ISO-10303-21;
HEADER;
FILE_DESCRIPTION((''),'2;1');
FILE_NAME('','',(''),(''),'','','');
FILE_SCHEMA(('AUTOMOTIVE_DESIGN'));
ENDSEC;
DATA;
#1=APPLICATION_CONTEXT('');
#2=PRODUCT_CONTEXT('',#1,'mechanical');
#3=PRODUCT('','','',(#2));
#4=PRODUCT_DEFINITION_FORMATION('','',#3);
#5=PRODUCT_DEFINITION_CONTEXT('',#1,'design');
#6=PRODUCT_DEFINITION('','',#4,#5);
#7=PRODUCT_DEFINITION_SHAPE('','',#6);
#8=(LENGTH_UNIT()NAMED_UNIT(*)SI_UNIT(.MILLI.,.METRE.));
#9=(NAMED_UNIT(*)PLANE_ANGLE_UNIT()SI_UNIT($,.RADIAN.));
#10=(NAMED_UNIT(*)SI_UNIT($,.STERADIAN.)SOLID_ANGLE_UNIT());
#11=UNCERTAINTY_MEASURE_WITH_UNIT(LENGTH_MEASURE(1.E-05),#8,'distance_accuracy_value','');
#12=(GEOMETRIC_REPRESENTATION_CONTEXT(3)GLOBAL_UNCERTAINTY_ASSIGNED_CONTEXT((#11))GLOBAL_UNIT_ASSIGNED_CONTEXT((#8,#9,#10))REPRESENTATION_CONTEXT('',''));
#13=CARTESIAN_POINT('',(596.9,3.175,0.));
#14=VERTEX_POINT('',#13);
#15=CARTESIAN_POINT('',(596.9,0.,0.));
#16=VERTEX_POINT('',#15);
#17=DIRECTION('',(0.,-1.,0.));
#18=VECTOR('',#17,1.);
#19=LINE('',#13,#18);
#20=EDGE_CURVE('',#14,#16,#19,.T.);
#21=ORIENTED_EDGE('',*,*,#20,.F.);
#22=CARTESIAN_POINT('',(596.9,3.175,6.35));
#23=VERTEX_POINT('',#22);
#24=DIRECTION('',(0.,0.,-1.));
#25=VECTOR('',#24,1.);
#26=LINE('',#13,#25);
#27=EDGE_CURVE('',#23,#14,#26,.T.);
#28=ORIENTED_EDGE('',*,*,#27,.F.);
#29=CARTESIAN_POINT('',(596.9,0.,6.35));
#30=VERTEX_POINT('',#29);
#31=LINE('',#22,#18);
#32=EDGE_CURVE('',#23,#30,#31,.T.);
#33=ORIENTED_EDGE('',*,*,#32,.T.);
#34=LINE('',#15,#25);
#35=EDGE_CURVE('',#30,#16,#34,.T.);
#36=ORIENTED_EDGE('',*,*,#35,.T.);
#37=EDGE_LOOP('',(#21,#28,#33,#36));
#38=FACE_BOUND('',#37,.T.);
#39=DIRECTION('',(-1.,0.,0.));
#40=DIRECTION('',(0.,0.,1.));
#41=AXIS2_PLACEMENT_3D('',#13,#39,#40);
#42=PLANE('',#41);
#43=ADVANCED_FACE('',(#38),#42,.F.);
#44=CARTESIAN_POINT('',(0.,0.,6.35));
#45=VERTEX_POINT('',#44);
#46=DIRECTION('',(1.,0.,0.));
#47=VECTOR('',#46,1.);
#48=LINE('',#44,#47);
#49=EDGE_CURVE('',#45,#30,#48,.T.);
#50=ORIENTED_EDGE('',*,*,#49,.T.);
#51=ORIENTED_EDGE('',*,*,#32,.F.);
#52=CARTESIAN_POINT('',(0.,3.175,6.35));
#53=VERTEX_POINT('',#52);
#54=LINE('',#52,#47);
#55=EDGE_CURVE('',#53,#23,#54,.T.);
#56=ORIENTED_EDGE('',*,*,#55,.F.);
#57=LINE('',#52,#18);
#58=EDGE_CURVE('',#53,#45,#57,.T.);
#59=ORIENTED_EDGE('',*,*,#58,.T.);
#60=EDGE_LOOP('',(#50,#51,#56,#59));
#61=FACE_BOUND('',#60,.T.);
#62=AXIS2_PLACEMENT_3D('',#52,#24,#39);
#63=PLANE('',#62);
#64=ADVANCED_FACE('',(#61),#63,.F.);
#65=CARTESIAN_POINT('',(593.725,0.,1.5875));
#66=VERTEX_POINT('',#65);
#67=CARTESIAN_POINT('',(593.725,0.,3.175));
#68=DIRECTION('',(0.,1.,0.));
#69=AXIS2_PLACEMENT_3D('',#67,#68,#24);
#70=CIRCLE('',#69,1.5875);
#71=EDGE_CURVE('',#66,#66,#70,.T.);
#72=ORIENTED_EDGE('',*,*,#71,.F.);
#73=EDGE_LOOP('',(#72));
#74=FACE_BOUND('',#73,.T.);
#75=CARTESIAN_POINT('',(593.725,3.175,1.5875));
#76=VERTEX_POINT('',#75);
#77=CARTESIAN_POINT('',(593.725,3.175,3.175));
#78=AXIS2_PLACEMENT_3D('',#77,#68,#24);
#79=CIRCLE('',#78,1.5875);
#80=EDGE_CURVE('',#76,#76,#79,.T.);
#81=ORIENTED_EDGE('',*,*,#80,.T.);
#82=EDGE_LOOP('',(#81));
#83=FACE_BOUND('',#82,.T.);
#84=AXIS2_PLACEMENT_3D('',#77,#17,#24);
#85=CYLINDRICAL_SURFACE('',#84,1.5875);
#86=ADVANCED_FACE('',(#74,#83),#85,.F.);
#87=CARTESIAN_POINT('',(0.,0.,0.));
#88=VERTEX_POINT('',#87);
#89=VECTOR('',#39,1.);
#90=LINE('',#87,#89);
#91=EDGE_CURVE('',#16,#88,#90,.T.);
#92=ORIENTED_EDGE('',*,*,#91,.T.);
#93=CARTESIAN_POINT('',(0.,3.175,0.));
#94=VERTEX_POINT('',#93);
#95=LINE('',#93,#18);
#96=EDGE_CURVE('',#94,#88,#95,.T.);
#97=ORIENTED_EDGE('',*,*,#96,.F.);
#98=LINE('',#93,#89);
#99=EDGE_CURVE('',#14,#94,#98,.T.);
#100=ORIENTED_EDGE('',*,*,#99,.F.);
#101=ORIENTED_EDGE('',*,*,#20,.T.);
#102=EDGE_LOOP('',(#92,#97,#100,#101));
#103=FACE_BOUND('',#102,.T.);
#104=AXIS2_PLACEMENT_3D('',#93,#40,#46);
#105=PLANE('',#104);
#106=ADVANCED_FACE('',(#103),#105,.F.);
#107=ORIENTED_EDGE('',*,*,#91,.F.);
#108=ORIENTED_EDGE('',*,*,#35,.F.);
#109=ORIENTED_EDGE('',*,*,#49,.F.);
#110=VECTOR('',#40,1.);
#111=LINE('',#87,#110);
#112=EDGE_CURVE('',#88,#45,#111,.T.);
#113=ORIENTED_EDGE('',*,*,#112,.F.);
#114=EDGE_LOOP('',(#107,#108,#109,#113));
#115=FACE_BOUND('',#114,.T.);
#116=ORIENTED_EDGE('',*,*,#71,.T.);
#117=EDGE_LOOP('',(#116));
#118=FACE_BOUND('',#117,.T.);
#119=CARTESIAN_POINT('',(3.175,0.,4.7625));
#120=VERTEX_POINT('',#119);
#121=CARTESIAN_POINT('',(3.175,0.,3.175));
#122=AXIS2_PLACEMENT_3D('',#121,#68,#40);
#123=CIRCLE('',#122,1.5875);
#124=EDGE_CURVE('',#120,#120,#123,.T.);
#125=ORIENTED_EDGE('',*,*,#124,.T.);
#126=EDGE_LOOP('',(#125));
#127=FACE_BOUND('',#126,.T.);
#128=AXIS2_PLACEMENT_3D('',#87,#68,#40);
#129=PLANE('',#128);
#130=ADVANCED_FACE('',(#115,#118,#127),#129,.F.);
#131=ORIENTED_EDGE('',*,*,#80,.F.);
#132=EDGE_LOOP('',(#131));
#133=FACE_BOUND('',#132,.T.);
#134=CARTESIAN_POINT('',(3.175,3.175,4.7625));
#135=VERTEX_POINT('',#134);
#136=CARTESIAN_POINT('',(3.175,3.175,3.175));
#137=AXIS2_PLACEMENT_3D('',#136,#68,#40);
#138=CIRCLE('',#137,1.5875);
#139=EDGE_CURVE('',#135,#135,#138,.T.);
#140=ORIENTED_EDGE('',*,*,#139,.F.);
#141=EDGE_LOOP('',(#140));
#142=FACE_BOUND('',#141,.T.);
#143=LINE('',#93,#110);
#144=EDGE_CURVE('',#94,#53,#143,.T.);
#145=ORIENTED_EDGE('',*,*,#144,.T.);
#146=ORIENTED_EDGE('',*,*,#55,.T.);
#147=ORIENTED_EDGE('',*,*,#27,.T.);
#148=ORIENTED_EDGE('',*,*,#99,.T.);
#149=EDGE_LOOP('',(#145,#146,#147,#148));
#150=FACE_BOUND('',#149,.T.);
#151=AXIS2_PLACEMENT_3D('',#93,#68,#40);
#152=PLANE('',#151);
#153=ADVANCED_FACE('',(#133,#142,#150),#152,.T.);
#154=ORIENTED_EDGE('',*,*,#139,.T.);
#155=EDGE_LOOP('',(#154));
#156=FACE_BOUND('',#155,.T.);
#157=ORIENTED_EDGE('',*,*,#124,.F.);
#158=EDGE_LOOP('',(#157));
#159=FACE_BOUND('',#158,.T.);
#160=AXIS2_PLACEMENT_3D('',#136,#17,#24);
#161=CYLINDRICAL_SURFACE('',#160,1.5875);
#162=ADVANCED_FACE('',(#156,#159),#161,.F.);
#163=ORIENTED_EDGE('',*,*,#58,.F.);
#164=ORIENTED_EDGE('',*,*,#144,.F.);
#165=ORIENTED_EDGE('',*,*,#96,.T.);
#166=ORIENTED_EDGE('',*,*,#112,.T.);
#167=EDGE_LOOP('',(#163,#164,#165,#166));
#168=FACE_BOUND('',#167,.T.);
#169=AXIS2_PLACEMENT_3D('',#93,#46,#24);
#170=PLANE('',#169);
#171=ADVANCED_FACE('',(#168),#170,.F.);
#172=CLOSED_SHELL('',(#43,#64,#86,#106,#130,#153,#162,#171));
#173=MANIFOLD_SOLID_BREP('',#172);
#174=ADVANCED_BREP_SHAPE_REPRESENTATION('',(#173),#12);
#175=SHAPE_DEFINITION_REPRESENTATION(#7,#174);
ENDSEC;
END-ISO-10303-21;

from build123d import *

# Parameters (mm, degrees)
SKETCH1_W           = 596.9
SKETCH1_H           = 6.35
SKETCH1_R           = 1.5875
BOSS_EXTRUDE1_DEPTH = 3.175


with BuildPart() as part:
    # Sketch1 → Boss-Extrude1 (new body)
    with BuildSketch(Plane(origin=(0, 0, 0), x_dir=(1, 0, 0), z_dir=(0, 1, 0))):
        with Locations((298.45, -3.175)):
            Rectangle(SKETCH1_W, SKETCH1_H)
        with Locations((3.175, -3.175)):
            Circle(SKETCH1_R, mode=Mode.SUBTRACT)
        with Locations((593.725, -3.175)):
            Circle(SKETCH1_R, mode=Mode.SUBTRACT)
    extrude(amount=BOSS_EXTRUDE1_DEPTH)


solid = part.part
